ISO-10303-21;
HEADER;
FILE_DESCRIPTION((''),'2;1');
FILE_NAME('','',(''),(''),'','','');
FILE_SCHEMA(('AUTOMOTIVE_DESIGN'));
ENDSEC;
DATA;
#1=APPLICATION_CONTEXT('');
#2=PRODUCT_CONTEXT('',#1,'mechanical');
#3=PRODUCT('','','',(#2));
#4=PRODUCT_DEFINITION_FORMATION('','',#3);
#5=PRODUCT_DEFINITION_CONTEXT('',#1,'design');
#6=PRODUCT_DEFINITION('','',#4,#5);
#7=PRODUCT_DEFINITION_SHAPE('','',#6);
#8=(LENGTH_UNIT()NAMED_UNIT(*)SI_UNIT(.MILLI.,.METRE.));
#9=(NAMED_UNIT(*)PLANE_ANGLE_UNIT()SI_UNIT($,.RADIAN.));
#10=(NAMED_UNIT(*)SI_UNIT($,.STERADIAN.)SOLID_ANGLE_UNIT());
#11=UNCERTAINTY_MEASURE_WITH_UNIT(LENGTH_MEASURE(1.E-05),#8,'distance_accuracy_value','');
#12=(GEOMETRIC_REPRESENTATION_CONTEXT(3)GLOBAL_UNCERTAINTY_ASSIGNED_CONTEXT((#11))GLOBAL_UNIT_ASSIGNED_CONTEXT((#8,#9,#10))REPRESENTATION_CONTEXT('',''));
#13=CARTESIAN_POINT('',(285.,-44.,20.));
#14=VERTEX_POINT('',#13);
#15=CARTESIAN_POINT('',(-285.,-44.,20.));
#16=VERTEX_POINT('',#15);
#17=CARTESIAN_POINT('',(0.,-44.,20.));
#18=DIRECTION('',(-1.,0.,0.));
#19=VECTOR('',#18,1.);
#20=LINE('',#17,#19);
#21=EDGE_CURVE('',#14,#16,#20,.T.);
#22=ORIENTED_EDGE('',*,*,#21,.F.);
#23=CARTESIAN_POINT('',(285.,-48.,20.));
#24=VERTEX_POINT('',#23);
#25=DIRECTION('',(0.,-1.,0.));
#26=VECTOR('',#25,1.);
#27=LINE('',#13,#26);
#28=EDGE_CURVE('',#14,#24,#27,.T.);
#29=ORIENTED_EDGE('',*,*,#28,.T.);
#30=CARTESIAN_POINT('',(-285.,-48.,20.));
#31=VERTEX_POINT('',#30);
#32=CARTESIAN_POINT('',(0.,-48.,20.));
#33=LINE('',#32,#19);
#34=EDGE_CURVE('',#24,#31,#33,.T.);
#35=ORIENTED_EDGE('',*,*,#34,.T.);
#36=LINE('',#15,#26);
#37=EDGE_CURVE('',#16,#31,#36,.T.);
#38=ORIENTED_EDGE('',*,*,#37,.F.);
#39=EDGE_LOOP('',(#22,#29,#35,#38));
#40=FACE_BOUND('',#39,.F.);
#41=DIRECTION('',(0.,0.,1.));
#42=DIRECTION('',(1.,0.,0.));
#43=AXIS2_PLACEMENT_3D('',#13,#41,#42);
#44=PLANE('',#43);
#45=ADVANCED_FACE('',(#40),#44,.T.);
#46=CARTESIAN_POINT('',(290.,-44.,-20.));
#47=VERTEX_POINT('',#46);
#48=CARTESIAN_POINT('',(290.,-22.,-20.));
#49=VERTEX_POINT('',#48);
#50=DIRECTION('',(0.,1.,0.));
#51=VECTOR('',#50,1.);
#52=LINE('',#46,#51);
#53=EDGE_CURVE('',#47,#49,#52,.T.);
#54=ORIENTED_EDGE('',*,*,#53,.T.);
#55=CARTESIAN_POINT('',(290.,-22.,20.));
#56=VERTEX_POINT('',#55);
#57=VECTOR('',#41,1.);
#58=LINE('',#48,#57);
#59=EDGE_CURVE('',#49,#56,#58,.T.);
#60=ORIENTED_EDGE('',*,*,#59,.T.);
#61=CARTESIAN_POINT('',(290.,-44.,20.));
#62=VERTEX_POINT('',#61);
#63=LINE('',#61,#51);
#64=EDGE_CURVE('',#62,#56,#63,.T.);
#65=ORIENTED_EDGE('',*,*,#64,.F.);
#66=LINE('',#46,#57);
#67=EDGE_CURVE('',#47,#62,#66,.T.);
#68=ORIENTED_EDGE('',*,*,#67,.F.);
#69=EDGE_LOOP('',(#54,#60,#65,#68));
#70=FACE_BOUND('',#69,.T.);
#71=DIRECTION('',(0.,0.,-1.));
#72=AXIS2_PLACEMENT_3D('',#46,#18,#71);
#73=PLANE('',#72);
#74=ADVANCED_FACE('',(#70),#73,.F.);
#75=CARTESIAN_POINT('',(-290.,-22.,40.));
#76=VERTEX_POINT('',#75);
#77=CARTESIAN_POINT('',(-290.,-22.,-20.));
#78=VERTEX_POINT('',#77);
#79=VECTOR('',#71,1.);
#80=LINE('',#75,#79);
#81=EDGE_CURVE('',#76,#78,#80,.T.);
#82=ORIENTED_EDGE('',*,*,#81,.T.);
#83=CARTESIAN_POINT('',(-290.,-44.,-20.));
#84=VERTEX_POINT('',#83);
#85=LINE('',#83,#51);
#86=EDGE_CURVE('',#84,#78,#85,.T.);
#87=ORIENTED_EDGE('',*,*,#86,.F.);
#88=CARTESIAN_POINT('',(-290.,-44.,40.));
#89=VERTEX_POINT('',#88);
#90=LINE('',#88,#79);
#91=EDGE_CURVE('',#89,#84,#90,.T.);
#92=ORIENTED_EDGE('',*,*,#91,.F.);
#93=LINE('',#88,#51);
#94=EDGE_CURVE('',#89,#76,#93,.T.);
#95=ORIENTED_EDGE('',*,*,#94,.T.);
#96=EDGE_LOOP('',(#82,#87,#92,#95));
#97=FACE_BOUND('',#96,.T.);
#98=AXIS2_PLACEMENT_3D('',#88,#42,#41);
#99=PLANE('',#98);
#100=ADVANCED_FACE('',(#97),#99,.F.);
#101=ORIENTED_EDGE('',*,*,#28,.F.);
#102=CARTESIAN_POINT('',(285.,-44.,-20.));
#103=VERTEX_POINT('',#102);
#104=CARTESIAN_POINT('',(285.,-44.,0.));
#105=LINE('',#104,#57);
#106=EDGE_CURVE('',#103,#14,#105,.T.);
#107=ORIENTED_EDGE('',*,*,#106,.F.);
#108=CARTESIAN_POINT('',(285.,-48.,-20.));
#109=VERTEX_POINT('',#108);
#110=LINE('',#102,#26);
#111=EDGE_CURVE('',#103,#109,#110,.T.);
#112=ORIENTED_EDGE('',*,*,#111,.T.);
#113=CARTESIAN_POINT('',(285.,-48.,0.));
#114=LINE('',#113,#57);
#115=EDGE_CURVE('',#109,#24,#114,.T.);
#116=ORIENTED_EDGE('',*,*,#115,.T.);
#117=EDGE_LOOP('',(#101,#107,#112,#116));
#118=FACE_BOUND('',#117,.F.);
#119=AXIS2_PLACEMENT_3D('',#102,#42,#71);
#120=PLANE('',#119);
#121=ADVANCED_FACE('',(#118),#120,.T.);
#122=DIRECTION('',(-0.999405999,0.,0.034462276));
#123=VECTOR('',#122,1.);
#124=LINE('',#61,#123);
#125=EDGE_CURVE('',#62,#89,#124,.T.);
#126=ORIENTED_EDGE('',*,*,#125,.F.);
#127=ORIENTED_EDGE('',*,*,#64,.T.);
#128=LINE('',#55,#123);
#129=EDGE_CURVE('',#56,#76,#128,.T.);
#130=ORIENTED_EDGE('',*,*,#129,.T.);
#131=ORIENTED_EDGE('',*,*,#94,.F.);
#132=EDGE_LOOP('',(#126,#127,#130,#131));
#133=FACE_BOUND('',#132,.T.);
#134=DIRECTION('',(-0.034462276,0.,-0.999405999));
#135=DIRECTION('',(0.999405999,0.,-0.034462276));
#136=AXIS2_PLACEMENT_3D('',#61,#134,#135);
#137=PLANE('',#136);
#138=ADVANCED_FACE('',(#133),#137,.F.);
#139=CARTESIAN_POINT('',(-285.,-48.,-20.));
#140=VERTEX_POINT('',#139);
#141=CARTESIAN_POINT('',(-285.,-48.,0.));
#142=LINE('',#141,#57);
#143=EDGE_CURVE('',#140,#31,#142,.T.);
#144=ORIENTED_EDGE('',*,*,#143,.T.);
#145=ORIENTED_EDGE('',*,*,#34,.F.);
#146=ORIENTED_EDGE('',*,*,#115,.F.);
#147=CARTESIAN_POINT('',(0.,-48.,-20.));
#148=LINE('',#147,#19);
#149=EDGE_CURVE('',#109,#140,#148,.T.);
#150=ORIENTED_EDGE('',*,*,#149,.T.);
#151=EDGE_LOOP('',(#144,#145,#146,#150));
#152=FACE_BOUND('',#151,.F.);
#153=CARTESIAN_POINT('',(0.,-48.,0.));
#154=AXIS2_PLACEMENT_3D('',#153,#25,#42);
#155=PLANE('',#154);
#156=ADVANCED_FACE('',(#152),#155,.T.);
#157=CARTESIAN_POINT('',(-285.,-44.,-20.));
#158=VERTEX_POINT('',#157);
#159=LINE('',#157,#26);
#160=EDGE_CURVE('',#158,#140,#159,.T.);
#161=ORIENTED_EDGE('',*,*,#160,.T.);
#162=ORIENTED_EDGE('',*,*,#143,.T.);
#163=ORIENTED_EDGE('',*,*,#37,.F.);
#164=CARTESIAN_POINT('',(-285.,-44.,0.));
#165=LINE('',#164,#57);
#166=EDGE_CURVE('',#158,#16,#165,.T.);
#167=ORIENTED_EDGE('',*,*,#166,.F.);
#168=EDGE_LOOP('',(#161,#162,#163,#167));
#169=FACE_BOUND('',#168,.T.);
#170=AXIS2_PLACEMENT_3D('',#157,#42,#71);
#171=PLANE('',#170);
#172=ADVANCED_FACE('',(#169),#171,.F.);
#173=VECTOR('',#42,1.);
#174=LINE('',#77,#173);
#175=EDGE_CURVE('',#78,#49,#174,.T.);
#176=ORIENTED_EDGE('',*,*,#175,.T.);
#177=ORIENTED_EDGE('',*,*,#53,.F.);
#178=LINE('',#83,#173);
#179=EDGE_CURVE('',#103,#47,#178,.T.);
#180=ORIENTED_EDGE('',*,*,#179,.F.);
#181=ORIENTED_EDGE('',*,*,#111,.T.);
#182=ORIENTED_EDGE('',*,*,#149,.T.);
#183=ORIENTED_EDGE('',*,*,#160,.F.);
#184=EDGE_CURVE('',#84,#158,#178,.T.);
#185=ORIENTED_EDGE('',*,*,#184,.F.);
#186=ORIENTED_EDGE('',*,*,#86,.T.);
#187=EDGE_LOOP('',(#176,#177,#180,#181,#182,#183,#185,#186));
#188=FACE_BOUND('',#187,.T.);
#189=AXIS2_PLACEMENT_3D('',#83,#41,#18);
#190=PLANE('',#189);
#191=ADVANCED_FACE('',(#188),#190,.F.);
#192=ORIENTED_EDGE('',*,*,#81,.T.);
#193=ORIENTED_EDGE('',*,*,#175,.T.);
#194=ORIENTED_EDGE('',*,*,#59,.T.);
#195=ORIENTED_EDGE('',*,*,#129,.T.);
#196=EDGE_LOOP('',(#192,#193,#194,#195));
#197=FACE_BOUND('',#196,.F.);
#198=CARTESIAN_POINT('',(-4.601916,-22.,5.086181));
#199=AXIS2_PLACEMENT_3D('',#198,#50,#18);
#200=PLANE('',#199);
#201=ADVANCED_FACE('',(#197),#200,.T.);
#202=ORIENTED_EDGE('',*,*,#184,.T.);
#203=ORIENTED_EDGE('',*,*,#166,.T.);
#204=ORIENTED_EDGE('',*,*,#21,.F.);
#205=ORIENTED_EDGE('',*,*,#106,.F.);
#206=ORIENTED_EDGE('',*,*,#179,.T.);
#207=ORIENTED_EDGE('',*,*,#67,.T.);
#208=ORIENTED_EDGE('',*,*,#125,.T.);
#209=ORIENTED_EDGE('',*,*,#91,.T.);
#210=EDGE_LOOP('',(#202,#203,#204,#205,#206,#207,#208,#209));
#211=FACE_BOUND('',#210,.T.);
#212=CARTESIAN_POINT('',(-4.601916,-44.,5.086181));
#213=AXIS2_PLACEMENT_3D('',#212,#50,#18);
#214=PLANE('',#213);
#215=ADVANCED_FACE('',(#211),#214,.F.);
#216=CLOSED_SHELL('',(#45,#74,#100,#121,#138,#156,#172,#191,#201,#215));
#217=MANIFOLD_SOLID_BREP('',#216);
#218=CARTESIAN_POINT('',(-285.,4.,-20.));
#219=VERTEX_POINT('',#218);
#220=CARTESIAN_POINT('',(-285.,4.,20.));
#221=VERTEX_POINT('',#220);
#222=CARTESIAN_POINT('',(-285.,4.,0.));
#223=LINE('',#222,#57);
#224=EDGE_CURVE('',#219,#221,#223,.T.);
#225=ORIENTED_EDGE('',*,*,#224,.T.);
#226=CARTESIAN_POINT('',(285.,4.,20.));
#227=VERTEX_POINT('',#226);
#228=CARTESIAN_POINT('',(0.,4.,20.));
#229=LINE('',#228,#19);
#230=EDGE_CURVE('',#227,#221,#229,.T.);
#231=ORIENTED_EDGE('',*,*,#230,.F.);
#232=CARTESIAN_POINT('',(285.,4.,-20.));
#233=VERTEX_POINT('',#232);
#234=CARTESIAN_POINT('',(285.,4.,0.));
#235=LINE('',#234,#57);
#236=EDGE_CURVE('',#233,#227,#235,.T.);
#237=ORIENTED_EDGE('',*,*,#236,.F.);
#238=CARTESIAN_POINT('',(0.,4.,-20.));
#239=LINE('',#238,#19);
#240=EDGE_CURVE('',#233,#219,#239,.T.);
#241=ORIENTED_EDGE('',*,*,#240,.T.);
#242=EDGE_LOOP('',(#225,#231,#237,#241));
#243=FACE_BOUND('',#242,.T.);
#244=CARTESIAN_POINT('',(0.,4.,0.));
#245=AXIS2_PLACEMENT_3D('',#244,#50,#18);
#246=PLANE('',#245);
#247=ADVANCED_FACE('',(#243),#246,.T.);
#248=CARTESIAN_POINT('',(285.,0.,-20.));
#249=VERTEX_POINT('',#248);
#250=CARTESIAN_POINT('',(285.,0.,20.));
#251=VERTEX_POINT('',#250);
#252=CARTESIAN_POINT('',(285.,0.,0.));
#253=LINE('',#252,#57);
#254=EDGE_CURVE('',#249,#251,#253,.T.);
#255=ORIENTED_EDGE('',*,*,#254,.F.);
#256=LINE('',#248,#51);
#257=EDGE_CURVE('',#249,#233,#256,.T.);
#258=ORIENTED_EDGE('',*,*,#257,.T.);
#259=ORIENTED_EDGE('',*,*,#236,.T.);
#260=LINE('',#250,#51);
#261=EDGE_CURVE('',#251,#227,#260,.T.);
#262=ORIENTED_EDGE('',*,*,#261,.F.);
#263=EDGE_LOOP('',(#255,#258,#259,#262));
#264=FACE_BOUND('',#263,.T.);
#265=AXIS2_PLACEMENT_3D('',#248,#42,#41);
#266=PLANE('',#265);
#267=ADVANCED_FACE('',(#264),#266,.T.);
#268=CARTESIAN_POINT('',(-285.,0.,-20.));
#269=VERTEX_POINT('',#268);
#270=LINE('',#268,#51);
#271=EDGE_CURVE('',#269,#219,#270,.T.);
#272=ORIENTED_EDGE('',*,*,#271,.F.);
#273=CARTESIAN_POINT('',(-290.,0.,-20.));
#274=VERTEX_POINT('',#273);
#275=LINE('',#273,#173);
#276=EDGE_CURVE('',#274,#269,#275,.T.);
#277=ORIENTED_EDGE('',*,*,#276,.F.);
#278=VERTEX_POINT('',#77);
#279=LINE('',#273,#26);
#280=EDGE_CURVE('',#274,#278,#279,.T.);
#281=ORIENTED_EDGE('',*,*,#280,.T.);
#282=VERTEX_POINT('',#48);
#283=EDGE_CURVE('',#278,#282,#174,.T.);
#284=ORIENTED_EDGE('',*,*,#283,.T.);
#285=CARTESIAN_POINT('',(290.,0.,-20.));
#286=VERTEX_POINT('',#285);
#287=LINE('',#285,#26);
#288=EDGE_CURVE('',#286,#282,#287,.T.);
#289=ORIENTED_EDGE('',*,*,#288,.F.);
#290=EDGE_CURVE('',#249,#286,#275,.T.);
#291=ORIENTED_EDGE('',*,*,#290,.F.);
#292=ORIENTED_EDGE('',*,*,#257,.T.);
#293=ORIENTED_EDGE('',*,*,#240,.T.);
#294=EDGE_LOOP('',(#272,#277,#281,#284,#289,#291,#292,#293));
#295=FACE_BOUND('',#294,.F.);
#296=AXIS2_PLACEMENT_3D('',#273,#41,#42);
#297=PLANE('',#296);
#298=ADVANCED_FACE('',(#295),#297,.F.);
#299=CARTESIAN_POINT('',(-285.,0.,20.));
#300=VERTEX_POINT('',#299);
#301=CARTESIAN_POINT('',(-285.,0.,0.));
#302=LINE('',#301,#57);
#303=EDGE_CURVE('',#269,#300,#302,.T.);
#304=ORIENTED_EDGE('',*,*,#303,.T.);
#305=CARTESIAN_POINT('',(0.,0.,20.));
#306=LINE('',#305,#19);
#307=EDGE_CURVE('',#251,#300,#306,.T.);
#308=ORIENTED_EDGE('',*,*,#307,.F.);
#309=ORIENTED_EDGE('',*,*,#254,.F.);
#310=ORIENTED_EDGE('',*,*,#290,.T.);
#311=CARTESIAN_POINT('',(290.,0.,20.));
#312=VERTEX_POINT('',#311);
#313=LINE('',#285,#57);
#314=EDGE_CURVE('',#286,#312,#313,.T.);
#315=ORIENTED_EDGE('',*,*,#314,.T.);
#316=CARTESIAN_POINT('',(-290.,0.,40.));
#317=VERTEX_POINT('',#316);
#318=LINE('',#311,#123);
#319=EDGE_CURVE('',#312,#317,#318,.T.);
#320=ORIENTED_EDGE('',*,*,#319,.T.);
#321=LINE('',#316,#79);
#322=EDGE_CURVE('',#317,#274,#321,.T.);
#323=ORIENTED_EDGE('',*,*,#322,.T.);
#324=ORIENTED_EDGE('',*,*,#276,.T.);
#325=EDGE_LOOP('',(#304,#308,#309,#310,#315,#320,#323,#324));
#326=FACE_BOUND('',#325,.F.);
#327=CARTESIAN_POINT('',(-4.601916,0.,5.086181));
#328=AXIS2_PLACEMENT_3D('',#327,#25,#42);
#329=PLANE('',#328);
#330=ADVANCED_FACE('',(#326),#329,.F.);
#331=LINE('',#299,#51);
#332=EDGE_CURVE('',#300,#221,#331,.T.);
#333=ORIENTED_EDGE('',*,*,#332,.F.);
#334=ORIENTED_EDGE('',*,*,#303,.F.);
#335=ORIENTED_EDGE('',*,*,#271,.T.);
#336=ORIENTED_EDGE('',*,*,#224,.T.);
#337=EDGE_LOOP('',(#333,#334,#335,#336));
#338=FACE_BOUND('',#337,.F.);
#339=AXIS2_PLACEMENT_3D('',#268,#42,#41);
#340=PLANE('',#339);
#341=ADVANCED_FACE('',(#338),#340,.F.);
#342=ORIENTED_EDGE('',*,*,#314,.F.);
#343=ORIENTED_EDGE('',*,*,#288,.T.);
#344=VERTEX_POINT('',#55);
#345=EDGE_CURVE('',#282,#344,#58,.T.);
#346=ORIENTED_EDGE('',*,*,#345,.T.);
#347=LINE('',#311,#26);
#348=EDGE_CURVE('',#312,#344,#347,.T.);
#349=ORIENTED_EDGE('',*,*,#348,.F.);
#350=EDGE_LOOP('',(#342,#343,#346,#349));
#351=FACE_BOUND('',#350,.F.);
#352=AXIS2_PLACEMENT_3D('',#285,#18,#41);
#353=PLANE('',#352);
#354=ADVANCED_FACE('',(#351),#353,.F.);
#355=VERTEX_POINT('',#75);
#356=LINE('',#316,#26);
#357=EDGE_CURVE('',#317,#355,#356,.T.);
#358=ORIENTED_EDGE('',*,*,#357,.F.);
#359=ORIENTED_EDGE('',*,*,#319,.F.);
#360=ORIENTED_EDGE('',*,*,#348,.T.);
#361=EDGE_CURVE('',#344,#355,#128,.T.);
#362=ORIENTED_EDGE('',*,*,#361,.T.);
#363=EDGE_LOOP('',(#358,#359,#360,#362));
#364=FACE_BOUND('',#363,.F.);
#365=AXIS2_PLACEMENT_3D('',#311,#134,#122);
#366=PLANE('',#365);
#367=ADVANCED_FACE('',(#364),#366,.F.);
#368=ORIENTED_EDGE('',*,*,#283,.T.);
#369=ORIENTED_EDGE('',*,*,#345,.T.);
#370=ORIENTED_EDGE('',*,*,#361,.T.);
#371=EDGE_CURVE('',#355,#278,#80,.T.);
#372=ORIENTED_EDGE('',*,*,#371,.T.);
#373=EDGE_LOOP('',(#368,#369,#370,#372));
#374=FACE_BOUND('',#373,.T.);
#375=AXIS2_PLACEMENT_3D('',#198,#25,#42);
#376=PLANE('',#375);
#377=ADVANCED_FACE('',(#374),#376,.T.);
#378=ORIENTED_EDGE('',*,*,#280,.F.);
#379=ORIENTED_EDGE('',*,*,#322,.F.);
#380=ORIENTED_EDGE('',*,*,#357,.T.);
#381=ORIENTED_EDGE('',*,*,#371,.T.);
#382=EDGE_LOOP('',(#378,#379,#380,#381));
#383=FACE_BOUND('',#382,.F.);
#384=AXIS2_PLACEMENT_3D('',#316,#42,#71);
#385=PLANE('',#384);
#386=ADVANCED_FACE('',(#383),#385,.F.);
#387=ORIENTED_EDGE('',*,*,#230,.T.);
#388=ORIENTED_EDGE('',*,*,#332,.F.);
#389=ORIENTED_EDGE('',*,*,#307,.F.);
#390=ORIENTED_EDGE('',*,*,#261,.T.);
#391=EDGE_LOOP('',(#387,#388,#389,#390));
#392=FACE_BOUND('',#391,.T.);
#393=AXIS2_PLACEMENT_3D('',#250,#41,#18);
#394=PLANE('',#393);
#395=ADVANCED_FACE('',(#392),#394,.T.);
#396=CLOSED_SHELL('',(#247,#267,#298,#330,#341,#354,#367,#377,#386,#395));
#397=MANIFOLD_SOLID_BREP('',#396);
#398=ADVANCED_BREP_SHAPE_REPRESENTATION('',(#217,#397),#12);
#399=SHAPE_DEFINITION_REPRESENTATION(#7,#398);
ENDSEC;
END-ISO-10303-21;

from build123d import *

# Parameters (mm, degrees)
F1_DEPTH = 22
F2_W     = 570
F2_H     = 40
F3_DEPTH = 4


with BuildPart() as f1:
    # F0 (on Front) → F1 (new body)
    with BuildSketch(Plane.XZ):
        Polygon((290, 20), (-290, 40), (-290, -20), (290, -20), align=None)
    extrude(amount=F1_DEPTH)

    # F2 (on face) → F3 (join)
    with BuildSketch(Plane(origin=(0, 0, 0), x_dir=(-1, 0, 0), z_dir=(0, 1, 0))):
        Rectangle(F2_W, F2_H)
    extrude(amount=F3_DEPTH)


with BuildPart() as f4_1:
    # F4: instance of F1
    add(f1.part.mirror(Plane(origin=(-19.333333, -22, 5.333333), x_dir=(1, 0, 0), z_dir=(0, -1, 0))))


solid = Compound([f1.part, f4_1.part])
